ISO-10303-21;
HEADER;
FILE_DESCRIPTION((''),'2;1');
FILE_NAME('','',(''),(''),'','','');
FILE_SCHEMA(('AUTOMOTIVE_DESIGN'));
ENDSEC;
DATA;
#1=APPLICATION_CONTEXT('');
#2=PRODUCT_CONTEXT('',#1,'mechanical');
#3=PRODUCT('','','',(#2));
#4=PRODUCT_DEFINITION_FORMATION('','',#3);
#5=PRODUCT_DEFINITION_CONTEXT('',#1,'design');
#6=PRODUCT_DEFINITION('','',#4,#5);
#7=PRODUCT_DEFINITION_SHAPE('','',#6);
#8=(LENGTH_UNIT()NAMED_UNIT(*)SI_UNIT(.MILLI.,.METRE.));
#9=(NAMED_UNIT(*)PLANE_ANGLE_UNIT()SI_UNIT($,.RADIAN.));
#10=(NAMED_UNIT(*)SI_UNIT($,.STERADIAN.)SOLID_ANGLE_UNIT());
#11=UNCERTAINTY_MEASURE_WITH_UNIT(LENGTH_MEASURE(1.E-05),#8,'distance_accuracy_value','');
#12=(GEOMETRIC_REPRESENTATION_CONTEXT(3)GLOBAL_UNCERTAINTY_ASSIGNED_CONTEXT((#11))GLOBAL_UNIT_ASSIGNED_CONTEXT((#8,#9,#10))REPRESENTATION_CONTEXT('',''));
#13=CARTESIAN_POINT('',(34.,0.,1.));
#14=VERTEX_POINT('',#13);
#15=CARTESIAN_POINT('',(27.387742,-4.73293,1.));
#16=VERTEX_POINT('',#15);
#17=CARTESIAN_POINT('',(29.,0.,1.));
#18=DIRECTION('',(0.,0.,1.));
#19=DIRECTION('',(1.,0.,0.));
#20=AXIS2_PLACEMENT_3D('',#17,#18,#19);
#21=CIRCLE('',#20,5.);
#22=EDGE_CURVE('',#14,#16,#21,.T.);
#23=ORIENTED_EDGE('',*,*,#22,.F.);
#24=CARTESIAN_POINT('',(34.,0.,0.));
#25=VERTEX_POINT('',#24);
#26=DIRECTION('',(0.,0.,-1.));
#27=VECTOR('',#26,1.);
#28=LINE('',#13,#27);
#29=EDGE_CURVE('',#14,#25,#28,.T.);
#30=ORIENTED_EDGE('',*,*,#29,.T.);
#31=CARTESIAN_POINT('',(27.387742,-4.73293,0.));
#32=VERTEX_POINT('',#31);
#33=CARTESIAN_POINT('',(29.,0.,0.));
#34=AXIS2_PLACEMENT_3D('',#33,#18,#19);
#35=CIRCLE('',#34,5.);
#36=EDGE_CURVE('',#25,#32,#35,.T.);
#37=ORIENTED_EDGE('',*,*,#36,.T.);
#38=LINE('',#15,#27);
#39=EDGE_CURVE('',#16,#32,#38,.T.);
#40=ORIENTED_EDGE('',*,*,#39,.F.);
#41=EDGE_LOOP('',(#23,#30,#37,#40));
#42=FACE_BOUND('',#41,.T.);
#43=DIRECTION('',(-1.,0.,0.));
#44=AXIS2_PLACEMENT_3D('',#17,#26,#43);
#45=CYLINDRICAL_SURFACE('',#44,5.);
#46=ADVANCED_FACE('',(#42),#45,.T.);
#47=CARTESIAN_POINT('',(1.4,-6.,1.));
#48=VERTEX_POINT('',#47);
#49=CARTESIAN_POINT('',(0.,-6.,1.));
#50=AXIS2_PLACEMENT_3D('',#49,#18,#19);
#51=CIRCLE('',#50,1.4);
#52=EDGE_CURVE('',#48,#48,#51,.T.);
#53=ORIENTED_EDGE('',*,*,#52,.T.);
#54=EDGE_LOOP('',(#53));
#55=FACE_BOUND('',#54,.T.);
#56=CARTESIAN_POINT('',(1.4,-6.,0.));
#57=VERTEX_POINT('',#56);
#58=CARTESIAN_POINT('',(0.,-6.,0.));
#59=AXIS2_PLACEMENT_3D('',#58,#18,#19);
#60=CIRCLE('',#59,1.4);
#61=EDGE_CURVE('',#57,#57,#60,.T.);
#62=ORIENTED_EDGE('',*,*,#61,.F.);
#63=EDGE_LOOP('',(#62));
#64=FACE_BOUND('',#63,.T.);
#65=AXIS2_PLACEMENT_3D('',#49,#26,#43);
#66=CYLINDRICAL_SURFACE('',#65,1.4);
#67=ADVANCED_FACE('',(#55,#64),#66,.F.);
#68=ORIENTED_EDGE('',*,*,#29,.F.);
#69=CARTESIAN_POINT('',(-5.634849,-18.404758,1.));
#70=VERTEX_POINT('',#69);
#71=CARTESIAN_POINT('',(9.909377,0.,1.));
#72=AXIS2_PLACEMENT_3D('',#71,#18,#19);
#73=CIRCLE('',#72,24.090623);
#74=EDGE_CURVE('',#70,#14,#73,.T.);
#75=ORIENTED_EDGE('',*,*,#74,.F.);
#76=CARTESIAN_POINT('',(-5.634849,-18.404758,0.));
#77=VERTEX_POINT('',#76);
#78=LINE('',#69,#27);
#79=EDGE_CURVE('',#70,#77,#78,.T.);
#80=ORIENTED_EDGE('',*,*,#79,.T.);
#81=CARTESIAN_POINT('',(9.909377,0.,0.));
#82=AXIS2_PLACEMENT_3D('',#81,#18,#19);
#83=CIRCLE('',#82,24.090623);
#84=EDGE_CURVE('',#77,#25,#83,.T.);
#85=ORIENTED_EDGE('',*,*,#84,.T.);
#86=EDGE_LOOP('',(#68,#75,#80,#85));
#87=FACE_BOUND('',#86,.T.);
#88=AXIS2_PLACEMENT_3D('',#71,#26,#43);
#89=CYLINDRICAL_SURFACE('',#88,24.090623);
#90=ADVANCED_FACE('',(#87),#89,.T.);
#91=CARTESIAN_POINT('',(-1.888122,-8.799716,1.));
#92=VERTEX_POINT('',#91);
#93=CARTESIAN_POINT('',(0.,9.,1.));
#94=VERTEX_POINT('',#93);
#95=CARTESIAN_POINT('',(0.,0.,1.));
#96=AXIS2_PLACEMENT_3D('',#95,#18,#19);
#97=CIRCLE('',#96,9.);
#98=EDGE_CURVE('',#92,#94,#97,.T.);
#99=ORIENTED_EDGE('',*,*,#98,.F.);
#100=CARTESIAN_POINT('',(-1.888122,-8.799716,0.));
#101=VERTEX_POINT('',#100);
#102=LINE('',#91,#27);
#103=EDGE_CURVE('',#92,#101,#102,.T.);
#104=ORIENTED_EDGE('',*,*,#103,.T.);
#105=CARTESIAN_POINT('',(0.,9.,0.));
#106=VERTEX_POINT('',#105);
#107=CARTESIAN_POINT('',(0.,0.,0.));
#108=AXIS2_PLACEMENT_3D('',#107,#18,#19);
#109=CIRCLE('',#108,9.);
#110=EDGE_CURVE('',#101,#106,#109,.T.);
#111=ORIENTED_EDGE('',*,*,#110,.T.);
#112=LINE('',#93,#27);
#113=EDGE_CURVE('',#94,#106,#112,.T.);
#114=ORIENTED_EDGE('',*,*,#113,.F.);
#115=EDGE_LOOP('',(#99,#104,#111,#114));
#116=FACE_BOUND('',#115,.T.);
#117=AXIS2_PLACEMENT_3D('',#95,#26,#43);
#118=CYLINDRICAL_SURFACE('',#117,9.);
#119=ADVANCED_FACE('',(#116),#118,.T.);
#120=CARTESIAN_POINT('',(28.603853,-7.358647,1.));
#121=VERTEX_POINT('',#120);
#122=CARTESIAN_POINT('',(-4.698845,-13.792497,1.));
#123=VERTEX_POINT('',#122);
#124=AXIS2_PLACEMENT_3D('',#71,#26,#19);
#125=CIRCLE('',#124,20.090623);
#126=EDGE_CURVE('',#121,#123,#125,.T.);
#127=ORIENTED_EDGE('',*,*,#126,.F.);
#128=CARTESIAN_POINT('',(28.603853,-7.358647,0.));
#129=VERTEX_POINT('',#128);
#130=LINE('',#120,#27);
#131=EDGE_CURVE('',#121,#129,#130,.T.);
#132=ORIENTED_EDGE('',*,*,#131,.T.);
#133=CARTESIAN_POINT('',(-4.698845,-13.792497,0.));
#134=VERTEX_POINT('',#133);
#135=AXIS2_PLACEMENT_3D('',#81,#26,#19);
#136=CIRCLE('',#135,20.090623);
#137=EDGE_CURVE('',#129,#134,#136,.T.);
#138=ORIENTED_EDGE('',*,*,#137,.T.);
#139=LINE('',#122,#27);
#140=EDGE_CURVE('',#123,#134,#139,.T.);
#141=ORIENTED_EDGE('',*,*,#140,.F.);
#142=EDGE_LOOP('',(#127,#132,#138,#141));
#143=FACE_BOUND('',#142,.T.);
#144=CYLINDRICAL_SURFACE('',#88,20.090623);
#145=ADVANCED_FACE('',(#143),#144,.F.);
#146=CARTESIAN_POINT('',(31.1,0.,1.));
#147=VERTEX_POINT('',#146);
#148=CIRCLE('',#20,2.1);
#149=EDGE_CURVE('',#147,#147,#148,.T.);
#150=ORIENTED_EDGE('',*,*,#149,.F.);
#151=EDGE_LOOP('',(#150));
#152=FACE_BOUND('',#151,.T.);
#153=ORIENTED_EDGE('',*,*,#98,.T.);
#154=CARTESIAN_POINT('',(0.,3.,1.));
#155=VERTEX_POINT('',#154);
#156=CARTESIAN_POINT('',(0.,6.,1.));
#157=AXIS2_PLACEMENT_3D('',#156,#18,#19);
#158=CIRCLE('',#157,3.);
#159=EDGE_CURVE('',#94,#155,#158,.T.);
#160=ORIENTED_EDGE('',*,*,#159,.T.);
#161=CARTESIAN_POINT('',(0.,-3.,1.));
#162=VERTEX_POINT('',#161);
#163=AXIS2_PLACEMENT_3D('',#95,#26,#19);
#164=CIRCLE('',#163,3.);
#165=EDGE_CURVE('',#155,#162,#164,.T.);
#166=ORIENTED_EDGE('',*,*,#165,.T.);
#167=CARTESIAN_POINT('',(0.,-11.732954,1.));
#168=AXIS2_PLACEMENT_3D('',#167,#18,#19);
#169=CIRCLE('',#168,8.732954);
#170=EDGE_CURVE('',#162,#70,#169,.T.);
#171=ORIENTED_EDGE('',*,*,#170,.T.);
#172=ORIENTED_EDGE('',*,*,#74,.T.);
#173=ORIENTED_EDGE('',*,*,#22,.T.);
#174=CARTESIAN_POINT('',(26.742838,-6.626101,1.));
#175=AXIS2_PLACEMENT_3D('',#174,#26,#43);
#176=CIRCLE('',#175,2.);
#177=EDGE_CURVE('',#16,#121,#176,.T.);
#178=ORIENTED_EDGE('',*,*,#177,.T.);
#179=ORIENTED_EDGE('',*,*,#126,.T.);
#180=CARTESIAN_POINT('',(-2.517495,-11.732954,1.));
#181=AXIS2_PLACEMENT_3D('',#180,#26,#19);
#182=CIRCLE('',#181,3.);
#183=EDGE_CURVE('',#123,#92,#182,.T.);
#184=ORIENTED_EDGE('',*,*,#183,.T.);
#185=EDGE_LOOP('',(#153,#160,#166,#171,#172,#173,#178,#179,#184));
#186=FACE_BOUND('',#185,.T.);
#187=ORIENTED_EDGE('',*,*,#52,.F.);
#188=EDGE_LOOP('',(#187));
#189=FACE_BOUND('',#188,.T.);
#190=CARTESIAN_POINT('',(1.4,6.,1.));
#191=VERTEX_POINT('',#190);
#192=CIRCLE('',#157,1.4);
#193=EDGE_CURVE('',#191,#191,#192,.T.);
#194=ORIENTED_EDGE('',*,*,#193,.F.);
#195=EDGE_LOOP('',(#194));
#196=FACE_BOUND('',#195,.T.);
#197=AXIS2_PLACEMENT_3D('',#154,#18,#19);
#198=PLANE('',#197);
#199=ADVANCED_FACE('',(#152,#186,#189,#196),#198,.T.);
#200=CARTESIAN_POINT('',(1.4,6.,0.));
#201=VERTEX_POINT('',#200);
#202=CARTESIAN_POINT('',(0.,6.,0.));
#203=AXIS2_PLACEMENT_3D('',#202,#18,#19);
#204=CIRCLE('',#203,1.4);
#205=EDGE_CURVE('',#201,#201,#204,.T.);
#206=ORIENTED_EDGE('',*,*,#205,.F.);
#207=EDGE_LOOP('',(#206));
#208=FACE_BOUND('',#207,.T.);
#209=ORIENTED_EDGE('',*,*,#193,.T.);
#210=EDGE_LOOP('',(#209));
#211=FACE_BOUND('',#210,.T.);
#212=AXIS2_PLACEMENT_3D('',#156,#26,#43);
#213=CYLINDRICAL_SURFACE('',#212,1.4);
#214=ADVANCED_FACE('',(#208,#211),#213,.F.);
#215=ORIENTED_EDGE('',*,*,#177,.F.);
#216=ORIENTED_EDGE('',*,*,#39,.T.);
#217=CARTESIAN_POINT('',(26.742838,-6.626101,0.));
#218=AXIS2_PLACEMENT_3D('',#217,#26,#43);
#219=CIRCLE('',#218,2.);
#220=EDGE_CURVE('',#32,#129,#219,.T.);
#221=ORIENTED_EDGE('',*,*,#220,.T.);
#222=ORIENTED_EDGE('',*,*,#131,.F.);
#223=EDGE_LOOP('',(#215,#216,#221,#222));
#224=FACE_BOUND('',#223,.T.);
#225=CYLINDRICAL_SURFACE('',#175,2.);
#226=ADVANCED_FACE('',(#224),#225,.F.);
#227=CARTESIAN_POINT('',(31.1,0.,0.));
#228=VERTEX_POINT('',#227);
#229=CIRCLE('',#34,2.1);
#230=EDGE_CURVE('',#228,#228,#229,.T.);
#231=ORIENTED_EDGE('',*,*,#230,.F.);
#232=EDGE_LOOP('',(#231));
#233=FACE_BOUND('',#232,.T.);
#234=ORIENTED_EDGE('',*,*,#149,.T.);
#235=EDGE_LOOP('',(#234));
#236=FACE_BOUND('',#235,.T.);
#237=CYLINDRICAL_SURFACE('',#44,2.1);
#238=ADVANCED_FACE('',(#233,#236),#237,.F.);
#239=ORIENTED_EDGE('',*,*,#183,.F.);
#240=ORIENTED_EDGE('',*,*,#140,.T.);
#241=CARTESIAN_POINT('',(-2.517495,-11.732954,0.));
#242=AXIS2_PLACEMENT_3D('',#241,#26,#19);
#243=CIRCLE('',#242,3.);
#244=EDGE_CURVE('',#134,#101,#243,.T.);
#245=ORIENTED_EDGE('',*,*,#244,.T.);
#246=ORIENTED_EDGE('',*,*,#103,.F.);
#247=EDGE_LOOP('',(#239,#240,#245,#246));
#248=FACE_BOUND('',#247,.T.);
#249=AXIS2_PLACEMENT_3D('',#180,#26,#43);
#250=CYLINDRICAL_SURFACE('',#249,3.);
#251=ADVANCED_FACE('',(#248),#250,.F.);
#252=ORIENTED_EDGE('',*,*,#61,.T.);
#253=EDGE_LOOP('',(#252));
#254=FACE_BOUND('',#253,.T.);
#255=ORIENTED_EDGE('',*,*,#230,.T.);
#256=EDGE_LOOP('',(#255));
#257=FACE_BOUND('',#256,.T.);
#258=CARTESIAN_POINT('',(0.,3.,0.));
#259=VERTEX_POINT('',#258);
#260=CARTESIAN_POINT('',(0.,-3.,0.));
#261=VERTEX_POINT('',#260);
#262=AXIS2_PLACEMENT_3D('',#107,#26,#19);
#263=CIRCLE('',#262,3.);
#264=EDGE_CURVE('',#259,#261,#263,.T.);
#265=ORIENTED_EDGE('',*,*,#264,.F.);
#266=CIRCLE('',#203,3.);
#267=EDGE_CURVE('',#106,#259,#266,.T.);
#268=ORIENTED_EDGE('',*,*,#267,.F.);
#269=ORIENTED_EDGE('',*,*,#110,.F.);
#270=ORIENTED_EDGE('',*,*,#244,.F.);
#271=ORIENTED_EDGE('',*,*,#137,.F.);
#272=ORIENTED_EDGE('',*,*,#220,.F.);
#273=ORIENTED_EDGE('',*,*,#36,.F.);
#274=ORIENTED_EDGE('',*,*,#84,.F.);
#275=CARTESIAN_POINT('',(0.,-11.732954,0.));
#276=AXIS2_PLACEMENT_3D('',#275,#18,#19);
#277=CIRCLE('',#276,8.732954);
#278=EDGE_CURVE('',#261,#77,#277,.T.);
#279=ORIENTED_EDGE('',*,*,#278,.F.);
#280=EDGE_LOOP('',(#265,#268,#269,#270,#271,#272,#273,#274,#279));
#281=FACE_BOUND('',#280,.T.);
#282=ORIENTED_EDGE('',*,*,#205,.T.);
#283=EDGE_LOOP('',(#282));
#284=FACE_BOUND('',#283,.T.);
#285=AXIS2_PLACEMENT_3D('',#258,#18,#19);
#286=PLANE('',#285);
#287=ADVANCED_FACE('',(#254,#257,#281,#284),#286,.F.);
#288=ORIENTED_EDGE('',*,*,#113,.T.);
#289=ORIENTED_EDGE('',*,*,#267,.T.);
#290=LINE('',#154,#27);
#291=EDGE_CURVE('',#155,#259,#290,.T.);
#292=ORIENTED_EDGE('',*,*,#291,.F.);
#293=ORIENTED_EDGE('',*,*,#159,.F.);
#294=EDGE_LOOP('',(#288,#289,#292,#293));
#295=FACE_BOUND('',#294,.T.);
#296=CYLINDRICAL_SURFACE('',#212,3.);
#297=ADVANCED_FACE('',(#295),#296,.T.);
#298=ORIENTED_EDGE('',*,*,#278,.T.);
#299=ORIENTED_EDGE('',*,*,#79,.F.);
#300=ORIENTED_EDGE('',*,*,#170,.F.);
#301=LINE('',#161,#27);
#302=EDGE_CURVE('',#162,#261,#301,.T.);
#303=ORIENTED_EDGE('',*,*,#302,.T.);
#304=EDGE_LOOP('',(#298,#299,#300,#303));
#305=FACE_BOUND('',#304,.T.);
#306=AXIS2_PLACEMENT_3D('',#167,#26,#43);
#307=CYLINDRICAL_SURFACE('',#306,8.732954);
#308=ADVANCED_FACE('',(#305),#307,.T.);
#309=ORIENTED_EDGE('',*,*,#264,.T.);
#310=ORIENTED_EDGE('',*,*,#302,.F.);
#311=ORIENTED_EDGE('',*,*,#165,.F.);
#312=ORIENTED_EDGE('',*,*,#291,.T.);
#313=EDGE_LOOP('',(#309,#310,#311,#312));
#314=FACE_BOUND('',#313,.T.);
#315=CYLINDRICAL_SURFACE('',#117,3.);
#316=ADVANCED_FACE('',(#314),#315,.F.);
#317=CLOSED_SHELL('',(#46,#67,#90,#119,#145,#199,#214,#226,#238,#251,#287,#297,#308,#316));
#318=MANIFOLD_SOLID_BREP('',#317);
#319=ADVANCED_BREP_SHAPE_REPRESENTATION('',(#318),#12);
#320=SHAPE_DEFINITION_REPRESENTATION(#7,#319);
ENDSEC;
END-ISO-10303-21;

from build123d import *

# Parameters (mm, degrees)
SKETCH_1_R      = 1.4
SKETCH_1_R_2    = 2.1
EXTRUDE_1_DEPTH = 1


with BuildPart() as part:
    # 草图1 → 凸台-拉伸1 (new body)
    with BuildSketch(Plane.XY):
        with BuildLine():
            ThreePointArc((0, -3), (3, 0), (0, 3))
            ThreePointArc((0, 3), (-3, 6), (0, 9))
            ThreePointArc((0, 9), (8.949788871, -0.94935724), (-1.888121525, -8.79971574))
            ThreePointArc((-1.888121525, -8.79971574), (-5.13171085, -10.261262299), (-4.698844689, -13.792496777))
            ThreePointArc((-4.698844689, -13.792496777), (13.72027933, -19.725875002), (28.603853377, -7.358646923))
            ThreePointArc((28.603853377, -7.358646923), (28.557639821, -5.785568702), (27.387741629, -4.732929637))
            ThreePointArc((27.387741629, -4.732929637), (26.089784532, 4.065789705), (34, 0))
            ThreePointArc((34, 0), (20.055509911, -21.849807636), (-5.63484885, -18.404758393))
            ThreePointArc((-5.63484885, -18.404758393), (-8.201495332, -8.732960074), (0, -3))
        make_face()
        with Locations((0, 6)):
            Circle(SKETCH_1_R, mode=Mode.SUBTRACT)
        with Locations((0, -6)):
            Circle(SKETCH_1_R, mode=Mode.SUBTRACT)
        with Locations((29, 0)):
            Circle(SKETCH_1_R_2, mode=Mode.SUBTRACT)
    extrude(amount=EXTRUDE_1_DEPTH)


solid = part.part
